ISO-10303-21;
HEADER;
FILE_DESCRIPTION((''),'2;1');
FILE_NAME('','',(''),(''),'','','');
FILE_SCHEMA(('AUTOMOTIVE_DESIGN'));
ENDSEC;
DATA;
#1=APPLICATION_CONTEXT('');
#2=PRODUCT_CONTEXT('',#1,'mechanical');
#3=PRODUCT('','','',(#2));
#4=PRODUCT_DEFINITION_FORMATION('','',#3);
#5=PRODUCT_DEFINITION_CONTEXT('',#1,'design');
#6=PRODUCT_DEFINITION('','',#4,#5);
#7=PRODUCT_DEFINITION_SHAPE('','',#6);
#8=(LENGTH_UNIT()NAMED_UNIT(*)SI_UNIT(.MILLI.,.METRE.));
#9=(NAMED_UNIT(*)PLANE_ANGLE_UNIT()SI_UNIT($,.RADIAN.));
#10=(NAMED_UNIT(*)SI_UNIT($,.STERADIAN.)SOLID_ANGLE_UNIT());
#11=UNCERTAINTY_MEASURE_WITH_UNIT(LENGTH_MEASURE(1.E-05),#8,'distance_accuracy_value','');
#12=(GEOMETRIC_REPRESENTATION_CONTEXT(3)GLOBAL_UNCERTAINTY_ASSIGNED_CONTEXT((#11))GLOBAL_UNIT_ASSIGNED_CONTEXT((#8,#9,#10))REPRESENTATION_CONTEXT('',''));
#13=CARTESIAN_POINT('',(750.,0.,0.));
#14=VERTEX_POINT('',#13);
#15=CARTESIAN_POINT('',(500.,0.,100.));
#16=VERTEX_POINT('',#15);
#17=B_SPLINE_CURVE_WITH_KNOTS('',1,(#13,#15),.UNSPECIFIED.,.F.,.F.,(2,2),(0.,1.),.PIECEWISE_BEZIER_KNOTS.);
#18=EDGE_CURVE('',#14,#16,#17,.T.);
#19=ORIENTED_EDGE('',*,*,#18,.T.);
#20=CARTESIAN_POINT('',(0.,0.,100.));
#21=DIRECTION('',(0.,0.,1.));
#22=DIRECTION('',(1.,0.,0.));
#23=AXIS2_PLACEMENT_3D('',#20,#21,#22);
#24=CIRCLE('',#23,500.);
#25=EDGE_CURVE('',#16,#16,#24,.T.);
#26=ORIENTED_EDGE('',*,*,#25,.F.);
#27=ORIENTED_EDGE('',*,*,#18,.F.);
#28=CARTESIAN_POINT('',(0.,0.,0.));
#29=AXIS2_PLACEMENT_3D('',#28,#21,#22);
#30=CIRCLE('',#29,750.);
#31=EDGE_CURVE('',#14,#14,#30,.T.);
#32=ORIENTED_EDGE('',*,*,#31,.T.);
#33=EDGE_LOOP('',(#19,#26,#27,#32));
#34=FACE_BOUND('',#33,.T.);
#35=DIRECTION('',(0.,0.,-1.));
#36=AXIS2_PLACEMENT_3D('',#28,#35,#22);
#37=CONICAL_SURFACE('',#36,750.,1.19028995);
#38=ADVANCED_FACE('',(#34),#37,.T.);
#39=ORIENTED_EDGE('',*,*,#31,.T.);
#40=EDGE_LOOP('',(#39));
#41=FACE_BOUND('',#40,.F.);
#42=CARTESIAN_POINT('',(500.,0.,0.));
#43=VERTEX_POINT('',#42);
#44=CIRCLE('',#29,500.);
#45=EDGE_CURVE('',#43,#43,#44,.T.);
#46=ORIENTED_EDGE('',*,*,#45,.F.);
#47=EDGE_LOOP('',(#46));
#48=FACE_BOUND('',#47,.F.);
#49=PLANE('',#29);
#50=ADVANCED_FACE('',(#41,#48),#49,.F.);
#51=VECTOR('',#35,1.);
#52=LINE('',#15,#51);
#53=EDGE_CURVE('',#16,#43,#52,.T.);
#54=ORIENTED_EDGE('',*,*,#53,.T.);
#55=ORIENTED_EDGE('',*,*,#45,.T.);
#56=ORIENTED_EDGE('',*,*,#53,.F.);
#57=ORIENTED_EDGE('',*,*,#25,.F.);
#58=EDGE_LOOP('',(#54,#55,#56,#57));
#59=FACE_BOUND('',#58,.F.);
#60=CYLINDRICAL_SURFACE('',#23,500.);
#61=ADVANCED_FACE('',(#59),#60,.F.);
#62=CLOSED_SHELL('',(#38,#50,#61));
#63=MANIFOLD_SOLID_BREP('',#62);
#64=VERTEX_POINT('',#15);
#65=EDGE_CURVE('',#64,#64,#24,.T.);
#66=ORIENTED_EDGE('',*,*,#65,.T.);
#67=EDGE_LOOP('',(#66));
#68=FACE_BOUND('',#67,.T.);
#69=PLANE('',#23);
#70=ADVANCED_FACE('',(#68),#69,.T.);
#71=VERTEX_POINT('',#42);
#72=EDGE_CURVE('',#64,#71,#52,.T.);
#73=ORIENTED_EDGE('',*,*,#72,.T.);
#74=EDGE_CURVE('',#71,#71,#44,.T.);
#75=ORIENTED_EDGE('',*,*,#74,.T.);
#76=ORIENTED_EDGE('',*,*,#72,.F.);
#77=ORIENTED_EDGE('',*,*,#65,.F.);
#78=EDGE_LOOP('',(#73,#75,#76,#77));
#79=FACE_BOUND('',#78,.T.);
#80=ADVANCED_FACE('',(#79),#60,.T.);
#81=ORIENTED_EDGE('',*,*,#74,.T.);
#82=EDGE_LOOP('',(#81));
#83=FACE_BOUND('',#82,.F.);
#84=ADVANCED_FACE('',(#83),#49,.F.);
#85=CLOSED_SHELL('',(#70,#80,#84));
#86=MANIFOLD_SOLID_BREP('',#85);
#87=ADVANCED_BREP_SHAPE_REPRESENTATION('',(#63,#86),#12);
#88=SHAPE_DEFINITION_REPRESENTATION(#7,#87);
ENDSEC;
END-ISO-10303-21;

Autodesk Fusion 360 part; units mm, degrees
sketch "スケッチ3" plane through (0, 0, 0) normal (0, 0, 1) x (1, 0, 0)
  circle A0 centre (0, 0) radius 750
  dimension "d8" = 1500
ref_plane "作業平面1" through (0, 0, 100) normal (0, 0, 1) x (1, 0, 0)
sketch "スケッチ6" plane through (0, 0, 100) normal (0, 0, 1) x (1, 0, 0)
  circle A0 centre (0, 0) radius 500
  dimension "d11" = 1000
loft "ロフト1" add profiles "スケッチ3", "スケッチ6" section 1 section 2 makes body 1
extrude "押し出し2" cut sketch "スケッチ6" against normal blind 100 bodies 1
extrude "押し出し3" add sketch "スケッチ6" against normal blind 100 separate body makes body 2
